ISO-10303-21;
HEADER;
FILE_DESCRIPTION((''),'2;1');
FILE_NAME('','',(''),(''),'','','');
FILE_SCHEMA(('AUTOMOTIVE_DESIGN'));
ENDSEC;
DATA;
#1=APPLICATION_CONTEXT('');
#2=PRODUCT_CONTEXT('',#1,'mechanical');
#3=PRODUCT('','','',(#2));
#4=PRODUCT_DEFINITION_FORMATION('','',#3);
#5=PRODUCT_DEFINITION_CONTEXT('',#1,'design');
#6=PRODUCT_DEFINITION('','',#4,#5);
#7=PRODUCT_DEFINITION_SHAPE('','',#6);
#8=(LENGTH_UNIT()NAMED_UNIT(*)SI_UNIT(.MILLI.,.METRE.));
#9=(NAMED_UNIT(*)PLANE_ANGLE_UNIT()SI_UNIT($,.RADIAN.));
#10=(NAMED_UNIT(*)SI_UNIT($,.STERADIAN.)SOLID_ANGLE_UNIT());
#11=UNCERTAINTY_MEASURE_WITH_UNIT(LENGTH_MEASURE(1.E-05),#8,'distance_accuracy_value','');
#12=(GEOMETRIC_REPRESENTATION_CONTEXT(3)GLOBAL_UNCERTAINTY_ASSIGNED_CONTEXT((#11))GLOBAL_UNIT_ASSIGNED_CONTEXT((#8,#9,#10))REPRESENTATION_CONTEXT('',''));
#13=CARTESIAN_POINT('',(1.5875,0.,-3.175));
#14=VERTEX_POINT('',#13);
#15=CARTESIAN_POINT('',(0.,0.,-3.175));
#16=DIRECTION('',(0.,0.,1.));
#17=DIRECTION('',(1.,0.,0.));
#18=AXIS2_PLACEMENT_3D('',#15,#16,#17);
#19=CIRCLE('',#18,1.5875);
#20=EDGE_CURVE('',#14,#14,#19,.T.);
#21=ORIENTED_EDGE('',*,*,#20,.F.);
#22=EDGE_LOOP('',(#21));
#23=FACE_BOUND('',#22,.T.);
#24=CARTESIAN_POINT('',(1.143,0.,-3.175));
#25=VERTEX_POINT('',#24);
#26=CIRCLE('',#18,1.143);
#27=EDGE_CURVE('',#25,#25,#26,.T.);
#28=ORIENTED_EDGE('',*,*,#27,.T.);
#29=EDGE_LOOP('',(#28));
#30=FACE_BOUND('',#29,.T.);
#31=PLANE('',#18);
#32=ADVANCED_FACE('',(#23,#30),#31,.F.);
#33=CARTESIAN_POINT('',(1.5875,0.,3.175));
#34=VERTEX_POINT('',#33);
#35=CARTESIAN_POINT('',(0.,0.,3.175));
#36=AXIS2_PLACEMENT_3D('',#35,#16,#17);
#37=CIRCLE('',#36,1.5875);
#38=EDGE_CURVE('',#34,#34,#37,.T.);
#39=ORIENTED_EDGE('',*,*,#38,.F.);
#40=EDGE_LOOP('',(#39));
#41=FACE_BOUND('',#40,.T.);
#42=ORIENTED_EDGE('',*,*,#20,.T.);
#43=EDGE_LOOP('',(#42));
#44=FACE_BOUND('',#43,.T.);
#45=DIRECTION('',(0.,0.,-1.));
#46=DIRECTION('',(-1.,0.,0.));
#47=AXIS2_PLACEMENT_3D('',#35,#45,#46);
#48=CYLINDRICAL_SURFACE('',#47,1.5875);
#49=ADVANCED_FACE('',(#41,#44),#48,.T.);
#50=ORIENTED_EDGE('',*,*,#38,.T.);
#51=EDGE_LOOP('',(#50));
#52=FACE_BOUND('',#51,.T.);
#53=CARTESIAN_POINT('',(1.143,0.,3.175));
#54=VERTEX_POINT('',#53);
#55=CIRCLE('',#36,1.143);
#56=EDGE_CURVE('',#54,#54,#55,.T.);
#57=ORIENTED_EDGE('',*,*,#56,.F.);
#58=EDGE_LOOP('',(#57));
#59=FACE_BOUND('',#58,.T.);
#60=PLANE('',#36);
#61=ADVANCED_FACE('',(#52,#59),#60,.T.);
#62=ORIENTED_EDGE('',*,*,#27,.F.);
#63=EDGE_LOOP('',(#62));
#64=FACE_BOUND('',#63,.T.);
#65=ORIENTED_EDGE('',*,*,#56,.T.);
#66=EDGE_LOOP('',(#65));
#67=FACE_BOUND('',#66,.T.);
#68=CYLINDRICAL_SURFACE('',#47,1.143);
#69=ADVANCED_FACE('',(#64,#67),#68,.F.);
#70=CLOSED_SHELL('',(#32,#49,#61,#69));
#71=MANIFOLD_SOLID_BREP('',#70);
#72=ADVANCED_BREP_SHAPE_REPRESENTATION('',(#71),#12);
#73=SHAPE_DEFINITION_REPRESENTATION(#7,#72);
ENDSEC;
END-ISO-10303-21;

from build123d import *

# Parameters (mm, degrees)
SKETCH1_R      = 1.5875
SKETCH1_R_2    = 1.143
EXTRUDE1_DEPTH = 3.175


with BuildPart() as part:
    # Sketch1 → Extrude1 (new body, symmetric)
    with BuildSketch(Plane.XY):
        Circle(SKETCH1_R)
        Circle(SKETCH1_R_2, mode=Mode.SUBTRACT)
    extrude(amount=EXTRUDE1_DEPTH, both=True)


solid = part.part
